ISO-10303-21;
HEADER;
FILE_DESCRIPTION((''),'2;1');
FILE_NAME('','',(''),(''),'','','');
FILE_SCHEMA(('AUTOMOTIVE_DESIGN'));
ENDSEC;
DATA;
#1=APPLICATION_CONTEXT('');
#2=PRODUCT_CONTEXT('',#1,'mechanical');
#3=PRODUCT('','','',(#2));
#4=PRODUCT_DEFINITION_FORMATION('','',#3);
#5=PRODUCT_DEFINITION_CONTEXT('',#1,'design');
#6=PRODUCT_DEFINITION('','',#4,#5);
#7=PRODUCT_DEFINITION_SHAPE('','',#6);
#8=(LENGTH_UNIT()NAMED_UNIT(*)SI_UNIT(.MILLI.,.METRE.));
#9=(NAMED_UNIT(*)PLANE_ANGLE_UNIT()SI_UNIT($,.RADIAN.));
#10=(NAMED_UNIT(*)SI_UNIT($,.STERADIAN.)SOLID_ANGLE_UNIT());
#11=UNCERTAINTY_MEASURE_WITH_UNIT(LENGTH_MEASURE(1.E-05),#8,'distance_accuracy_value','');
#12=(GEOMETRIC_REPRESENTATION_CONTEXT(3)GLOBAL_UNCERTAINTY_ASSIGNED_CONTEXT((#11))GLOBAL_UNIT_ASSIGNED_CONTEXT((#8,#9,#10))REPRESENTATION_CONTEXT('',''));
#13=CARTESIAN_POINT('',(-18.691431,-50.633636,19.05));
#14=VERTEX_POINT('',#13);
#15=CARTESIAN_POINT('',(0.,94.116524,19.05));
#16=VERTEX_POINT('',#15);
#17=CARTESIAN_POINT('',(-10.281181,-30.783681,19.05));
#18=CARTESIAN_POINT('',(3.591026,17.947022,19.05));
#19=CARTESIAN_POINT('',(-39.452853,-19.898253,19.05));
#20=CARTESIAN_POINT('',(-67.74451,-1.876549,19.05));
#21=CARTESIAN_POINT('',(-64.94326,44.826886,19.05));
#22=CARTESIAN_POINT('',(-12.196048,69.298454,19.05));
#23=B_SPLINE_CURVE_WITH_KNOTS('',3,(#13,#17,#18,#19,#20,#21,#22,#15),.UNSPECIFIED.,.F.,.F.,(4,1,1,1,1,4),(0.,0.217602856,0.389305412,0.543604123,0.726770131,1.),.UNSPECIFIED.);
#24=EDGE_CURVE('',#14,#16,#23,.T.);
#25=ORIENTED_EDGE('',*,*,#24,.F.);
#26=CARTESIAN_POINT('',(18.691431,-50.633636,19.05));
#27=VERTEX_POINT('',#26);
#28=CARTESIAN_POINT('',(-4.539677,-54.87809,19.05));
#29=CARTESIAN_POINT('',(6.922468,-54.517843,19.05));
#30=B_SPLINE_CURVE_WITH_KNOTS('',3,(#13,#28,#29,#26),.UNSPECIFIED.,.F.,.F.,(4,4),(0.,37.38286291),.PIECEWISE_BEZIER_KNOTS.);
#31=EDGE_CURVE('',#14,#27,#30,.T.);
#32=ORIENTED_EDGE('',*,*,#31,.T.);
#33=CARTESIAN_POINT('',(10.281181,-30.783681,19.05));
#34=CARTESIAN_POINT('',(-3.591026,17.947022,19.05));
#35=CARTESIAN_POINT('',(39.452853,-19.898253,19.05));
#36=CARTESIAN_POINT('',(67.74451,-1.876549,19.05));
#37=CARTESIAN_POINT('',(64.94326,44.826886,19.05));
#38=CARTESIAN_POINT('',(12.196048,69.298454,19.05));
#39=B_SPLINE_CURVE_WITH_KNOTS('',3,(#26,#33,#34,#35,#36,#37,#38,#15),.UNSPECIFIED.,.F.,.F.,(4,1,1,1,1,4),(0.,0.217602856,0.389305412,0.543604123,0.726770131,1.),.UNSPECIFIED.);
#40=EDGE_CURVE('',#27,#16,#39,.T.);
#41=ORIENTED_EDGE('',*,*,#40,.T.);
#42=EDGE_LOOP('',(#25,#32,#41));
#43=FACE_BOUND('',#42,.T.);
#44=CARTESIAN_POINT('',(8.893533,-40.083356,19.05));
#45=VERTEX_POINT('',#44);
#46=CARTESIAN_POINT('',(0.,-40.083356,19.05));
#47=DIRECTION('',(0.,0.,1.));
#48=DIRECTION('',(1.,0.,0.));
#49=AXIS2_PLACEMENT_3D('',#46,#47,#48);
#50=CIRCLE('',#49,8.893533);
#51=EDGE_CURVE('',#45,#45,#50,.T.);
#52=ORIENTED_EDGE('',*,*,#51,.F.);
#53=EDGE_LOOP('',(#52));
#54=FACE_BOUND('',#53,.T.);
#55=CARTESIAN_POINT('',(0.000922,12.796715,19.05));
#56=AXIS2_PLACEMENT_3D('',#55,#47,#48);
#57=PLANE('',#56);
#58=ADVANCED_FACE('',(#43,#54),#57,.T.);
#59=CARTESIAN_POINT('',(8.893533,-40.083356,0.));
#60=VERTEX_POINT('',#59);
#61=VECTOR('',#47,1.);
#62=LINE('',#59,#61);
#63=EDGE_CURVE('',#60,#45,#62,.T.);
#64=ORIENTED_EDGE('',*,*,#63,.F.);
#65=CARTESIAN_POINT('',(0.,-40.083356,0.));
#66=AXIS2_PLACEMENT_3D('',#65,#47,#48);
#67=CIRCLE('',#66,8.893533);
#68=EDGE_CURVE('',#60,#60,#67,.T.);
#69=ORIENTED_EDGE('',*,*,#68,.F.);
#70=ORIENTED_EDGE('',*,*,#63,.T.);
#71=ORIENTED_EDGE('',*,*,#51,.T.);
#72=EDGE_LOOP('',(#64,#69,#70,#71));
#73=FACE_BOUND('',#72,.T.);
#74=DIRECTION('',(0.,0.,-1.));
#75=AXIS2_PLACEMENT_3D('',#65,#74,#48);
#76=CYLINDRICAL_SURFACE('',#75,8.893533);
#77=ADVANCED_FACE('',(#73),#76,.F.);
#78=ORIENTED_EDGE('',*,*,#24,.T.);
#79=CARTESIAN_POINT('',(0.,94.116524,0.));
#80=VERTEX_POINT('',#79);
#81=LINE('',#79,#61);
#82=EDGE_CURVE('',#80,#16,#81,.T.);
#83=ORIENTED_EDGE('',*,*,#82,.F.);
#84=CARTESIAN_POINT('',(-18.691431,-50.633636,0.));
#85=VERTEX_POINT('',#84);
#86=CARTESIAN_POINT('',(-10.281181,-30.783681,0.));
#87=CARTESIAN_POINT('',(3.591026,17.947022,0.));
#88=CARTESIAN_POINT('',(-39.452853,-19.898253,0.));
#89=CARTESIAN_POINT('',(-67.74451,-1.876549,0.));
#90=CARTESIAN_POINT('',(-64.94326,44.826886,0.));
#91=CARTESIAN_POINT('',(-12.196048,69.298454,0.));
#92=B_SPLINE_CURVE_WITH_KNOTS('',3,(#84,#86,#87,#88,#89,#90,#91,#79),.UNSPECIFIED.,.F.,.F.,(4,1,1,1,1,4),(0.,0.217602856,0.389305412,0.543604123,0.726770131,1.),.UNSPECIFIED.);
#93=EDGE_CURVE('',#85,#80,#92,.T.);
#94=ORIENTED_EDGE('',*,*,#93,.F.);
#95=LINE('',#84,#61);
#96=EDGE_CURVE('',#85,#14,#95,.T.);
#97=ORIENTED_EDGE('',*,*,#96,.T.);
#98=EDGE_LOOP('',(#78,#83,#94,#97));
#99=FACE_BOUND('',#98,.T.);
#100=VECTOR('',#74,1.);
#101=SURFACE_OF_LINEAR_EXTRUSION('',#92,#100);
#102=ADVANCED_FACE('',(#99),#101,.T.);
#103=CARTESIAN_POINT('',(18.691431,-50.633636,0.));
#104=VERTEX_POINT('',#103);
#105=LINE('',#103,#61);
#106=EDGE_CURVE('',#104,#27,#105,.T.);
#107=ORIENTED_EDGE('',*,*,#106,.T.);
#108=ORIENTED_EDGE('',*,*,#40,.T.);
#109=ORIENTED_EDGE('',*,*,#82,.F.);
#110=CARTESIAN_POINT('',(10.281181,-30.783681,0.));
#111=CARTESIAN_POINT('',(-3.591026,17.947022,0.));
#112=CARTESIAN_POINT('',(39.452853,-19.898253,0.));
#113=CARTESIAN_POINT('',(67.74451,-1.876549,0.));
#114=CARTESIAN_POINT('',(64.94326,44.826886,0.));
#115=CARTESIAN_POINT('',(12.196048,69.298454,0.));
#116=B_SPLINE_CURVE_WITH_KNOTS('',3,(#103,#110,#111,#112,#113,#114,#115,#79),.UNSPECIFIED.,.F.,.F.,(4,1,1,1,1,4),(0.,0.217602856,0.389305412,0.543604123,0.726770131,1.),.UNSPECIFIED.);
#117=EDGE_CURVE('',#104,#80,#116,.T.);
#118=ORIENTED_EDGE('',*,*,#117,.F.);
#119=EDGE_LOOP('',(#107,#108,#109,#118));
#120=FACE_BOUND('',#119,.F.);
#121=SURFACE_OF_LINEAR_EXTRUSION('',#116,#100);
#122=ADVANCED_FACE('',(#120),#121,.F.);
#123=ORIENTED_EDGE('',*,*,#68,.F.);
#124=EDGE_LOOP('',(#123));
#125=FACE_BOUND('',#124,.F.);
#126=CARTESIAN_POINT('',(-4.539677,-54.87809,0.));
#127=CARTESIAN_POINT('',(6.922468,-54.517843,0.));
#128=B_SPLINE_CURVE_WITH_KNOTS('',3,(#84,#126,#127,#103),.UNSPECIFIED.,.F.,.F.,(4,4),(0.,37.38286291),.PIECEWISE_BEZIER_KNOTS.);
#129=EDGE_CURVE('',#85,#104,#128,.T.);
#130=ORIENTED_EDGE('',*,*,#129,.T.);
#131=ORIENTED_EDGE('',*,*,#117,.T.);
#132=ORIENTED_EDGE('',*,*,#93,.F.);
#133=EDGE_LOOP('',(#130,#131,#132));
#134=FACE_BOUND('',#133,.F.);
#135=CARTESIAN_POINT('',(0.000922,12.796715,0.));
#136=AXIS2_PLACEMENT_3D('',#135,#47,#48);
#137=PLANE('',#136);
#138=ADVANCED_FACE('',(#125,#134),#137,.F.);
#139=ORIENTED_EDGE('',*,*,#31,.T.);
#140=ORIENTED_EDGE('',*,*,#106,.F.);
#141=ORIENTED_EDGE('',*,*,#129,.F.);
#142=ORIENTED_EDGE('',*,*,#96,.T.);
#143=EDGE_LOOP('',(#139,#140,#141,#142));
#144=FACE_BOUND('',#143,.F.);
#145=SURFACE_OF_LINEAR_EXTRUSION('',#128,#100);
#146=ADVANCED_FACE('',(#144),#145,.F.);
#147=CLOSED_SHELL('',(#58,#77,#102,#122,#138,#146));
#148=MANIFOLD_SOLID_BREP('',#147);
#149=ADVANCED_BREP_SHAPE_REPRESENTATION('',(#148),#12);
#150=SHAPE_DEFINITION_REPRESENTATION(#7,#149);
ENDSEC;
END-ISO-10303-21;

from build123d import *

# Parameters (mm, degrees)
F0_R     = 8.8935333637
F1_DEPTH = 19.05


with BuildPart() as f1:
    # F0 (on Top) → F1 (new body)
    with BuildSketch(Plane.XY):
        with BuildLine():
            add(Edge.make_bspline(
                [(-18.6914314552, -50.6336364965), (-4.5396769419, -54.878089577), (6.9224676117, -54.5178428292), (18.6914314552, -50.6336364965)],
                knots=[0, 0, 0, 0, 37.3828629104, 37.3828629104, 37.3828629104, 37.3828629104], degree=3))
            add(Edge.make_bspline(
                [(18.6914314552, -50.6336364965), (10.2811811013, -30.783680779), (-3.5910259917, 17.9470221051), (39.4528527881, -19.898252894), (67.7445102251, -1.8765492501), (64.9432596574, 44.8268860216), (12.1960477669, 69.2984536768), (0, 94.1165238619)],
                knots=[0, 0, 0, 0, 0.2176028561, 0.3893054124, 0.5436041228, 0.7267701307, 1, 1, 1, 1], degree=3))
            add(Edge.make_bspline(
                [(-18.6914314552, -50.6336364965), (-10.2811811013, -30.783680779), (3.5910259917, 17.9470221051), (-39.4528527881, -19.898252894), (-67.7445102251, -1.8765492501), (-64.9432596574, 44.8268860216), (-12.1960477669, 69.2984536768), (0, 94.1165238619)],
                knots=[0, 0, 0, 0, 0.2176028561, 0.3893054124, 0.5436041228, 0.7267701307, 1, 1, 1, 1], degree=3))
        make_face()
        with Locations((0, -40.0833562016)):
            Circle(F0_R, mode=Mode.SUBTRACT)
    extrude(amount=F1_DEPTH)


solid = f1.part
